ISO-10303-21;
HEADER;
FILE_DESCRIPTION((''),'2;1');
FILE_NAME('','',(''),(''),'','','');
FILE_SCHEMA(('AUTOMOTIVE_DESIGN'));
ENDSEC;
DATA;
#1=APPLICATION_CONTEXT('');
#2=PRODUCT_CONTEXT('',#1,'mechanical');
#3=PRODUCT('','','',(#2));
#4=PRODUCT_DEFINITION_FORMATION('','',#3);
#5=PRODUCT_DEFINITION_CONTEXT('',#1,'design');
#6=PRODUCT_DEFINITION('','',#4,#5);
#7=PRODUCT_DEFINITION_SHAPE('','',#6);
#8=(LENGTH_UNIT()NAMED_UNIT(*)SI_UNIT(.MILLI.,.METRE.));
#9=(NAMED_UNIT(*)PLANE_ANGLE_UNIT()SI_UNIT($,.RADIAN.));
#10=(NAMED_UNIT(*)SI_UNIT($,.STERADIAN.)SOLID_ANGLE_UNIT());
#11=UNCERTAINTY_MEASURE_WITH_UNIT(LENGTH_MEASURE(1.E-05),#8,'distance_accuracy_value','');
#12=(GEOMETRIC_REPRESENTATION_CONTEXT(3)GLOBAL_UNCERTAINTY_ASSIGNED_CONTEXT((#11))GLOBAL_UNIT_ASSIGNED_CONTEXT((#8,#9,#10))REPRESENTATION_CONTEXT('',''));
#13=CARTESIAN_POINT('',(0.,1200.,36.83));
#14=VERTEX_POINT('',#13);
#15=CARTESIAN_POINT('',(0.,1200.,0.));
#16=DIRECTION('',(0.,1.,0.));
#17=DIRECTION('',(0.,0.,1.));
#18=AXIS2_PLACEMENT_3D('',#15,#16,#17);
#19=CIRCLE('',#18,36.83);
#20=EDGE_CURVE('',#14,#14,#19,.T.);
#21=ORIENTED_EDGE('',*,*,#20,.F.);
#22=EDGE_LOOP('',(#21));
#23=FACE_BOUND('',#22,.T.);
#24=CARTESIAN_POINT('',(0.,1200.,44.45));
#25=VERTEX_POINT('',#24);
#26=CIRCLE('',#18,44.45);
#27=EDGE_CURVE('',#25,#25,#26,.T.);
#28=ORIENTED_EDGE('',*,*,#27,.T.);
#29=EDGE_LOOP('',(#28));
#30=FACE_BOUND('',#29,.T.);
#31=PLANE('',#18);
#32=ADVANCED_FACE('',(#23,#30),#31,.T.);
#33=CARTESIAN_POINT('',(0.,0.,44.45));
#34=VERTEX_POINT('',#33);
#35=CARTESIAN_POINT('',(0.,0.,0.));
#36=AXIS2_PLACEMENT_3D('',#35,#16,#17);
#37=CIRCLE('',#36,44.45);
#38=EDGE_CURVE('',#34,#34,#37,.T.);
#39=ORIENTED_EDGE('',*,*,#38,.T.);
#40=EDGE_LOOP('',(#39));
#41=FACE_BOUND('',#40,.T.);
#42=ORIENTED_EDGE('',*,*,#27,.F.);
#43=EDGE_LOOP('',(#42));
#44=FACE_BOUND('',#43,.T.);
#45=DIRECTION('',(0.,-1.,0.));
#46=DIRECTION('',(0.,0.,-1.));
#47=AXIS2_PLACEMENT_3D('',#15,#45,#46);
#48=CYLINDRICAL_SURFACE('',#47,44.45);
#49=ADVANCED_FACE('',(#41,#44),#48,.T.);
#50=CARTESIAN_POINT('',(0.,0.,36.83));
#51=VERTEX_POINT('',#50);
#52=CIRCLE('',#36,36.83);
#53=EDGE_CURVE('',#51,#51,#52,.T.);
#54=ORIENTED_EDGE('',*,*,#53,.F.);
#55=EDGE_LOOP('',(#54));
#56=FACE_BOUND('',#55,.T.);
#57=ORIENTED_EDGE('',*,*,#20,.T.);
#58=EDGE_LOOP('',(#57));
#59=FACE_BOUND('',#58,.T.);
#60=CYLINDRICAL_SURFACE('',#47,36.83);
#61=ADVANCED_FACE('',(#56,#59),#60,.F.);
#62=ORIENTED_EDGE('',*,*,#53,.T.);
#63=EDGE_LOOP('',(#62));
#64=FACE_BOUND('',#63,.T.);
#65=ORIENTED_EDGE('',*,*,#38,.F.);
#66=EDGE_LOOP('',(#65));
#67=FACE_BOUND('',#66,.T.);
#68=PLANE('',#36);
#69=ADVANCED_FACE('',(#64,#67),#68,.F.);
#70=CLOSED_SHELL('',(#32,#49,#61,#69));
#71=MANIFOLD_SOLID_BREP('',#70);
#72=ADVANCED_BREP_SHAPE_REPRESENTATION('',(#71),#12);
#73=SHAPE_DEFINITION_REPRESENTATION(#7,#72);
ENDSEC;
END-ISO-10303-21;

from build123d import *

# Parameters (mm, degrees)
SKETCH12_R                                   = 44.45
SKETCH12_R_2                                 = 36.83
RURA_GRUBO_CIENNA_X_WZMOCNIONA_S80_PIP_DEPTH = 1200


with BuildPart() as part:
    # Sketch12 → Rura grubościenna x; wzmocniona, s80 PIPE XS 3 SCH 80(1) (new body)
    with BuildSketch(Plane(origin=(0, 0, 0), x_dir=(1, 0, 0), z_dir=(0, 1, 0))):
        Circle(SKETCH12_R)
        Circle(SKETCH12_R_2, mode=Mode.SUBTRACT)
    extrude(amount=RURA_GRUBO_CIENNA_X_WZMOCNIONA_S80_PIP_DEPTH)


solid = part.part
